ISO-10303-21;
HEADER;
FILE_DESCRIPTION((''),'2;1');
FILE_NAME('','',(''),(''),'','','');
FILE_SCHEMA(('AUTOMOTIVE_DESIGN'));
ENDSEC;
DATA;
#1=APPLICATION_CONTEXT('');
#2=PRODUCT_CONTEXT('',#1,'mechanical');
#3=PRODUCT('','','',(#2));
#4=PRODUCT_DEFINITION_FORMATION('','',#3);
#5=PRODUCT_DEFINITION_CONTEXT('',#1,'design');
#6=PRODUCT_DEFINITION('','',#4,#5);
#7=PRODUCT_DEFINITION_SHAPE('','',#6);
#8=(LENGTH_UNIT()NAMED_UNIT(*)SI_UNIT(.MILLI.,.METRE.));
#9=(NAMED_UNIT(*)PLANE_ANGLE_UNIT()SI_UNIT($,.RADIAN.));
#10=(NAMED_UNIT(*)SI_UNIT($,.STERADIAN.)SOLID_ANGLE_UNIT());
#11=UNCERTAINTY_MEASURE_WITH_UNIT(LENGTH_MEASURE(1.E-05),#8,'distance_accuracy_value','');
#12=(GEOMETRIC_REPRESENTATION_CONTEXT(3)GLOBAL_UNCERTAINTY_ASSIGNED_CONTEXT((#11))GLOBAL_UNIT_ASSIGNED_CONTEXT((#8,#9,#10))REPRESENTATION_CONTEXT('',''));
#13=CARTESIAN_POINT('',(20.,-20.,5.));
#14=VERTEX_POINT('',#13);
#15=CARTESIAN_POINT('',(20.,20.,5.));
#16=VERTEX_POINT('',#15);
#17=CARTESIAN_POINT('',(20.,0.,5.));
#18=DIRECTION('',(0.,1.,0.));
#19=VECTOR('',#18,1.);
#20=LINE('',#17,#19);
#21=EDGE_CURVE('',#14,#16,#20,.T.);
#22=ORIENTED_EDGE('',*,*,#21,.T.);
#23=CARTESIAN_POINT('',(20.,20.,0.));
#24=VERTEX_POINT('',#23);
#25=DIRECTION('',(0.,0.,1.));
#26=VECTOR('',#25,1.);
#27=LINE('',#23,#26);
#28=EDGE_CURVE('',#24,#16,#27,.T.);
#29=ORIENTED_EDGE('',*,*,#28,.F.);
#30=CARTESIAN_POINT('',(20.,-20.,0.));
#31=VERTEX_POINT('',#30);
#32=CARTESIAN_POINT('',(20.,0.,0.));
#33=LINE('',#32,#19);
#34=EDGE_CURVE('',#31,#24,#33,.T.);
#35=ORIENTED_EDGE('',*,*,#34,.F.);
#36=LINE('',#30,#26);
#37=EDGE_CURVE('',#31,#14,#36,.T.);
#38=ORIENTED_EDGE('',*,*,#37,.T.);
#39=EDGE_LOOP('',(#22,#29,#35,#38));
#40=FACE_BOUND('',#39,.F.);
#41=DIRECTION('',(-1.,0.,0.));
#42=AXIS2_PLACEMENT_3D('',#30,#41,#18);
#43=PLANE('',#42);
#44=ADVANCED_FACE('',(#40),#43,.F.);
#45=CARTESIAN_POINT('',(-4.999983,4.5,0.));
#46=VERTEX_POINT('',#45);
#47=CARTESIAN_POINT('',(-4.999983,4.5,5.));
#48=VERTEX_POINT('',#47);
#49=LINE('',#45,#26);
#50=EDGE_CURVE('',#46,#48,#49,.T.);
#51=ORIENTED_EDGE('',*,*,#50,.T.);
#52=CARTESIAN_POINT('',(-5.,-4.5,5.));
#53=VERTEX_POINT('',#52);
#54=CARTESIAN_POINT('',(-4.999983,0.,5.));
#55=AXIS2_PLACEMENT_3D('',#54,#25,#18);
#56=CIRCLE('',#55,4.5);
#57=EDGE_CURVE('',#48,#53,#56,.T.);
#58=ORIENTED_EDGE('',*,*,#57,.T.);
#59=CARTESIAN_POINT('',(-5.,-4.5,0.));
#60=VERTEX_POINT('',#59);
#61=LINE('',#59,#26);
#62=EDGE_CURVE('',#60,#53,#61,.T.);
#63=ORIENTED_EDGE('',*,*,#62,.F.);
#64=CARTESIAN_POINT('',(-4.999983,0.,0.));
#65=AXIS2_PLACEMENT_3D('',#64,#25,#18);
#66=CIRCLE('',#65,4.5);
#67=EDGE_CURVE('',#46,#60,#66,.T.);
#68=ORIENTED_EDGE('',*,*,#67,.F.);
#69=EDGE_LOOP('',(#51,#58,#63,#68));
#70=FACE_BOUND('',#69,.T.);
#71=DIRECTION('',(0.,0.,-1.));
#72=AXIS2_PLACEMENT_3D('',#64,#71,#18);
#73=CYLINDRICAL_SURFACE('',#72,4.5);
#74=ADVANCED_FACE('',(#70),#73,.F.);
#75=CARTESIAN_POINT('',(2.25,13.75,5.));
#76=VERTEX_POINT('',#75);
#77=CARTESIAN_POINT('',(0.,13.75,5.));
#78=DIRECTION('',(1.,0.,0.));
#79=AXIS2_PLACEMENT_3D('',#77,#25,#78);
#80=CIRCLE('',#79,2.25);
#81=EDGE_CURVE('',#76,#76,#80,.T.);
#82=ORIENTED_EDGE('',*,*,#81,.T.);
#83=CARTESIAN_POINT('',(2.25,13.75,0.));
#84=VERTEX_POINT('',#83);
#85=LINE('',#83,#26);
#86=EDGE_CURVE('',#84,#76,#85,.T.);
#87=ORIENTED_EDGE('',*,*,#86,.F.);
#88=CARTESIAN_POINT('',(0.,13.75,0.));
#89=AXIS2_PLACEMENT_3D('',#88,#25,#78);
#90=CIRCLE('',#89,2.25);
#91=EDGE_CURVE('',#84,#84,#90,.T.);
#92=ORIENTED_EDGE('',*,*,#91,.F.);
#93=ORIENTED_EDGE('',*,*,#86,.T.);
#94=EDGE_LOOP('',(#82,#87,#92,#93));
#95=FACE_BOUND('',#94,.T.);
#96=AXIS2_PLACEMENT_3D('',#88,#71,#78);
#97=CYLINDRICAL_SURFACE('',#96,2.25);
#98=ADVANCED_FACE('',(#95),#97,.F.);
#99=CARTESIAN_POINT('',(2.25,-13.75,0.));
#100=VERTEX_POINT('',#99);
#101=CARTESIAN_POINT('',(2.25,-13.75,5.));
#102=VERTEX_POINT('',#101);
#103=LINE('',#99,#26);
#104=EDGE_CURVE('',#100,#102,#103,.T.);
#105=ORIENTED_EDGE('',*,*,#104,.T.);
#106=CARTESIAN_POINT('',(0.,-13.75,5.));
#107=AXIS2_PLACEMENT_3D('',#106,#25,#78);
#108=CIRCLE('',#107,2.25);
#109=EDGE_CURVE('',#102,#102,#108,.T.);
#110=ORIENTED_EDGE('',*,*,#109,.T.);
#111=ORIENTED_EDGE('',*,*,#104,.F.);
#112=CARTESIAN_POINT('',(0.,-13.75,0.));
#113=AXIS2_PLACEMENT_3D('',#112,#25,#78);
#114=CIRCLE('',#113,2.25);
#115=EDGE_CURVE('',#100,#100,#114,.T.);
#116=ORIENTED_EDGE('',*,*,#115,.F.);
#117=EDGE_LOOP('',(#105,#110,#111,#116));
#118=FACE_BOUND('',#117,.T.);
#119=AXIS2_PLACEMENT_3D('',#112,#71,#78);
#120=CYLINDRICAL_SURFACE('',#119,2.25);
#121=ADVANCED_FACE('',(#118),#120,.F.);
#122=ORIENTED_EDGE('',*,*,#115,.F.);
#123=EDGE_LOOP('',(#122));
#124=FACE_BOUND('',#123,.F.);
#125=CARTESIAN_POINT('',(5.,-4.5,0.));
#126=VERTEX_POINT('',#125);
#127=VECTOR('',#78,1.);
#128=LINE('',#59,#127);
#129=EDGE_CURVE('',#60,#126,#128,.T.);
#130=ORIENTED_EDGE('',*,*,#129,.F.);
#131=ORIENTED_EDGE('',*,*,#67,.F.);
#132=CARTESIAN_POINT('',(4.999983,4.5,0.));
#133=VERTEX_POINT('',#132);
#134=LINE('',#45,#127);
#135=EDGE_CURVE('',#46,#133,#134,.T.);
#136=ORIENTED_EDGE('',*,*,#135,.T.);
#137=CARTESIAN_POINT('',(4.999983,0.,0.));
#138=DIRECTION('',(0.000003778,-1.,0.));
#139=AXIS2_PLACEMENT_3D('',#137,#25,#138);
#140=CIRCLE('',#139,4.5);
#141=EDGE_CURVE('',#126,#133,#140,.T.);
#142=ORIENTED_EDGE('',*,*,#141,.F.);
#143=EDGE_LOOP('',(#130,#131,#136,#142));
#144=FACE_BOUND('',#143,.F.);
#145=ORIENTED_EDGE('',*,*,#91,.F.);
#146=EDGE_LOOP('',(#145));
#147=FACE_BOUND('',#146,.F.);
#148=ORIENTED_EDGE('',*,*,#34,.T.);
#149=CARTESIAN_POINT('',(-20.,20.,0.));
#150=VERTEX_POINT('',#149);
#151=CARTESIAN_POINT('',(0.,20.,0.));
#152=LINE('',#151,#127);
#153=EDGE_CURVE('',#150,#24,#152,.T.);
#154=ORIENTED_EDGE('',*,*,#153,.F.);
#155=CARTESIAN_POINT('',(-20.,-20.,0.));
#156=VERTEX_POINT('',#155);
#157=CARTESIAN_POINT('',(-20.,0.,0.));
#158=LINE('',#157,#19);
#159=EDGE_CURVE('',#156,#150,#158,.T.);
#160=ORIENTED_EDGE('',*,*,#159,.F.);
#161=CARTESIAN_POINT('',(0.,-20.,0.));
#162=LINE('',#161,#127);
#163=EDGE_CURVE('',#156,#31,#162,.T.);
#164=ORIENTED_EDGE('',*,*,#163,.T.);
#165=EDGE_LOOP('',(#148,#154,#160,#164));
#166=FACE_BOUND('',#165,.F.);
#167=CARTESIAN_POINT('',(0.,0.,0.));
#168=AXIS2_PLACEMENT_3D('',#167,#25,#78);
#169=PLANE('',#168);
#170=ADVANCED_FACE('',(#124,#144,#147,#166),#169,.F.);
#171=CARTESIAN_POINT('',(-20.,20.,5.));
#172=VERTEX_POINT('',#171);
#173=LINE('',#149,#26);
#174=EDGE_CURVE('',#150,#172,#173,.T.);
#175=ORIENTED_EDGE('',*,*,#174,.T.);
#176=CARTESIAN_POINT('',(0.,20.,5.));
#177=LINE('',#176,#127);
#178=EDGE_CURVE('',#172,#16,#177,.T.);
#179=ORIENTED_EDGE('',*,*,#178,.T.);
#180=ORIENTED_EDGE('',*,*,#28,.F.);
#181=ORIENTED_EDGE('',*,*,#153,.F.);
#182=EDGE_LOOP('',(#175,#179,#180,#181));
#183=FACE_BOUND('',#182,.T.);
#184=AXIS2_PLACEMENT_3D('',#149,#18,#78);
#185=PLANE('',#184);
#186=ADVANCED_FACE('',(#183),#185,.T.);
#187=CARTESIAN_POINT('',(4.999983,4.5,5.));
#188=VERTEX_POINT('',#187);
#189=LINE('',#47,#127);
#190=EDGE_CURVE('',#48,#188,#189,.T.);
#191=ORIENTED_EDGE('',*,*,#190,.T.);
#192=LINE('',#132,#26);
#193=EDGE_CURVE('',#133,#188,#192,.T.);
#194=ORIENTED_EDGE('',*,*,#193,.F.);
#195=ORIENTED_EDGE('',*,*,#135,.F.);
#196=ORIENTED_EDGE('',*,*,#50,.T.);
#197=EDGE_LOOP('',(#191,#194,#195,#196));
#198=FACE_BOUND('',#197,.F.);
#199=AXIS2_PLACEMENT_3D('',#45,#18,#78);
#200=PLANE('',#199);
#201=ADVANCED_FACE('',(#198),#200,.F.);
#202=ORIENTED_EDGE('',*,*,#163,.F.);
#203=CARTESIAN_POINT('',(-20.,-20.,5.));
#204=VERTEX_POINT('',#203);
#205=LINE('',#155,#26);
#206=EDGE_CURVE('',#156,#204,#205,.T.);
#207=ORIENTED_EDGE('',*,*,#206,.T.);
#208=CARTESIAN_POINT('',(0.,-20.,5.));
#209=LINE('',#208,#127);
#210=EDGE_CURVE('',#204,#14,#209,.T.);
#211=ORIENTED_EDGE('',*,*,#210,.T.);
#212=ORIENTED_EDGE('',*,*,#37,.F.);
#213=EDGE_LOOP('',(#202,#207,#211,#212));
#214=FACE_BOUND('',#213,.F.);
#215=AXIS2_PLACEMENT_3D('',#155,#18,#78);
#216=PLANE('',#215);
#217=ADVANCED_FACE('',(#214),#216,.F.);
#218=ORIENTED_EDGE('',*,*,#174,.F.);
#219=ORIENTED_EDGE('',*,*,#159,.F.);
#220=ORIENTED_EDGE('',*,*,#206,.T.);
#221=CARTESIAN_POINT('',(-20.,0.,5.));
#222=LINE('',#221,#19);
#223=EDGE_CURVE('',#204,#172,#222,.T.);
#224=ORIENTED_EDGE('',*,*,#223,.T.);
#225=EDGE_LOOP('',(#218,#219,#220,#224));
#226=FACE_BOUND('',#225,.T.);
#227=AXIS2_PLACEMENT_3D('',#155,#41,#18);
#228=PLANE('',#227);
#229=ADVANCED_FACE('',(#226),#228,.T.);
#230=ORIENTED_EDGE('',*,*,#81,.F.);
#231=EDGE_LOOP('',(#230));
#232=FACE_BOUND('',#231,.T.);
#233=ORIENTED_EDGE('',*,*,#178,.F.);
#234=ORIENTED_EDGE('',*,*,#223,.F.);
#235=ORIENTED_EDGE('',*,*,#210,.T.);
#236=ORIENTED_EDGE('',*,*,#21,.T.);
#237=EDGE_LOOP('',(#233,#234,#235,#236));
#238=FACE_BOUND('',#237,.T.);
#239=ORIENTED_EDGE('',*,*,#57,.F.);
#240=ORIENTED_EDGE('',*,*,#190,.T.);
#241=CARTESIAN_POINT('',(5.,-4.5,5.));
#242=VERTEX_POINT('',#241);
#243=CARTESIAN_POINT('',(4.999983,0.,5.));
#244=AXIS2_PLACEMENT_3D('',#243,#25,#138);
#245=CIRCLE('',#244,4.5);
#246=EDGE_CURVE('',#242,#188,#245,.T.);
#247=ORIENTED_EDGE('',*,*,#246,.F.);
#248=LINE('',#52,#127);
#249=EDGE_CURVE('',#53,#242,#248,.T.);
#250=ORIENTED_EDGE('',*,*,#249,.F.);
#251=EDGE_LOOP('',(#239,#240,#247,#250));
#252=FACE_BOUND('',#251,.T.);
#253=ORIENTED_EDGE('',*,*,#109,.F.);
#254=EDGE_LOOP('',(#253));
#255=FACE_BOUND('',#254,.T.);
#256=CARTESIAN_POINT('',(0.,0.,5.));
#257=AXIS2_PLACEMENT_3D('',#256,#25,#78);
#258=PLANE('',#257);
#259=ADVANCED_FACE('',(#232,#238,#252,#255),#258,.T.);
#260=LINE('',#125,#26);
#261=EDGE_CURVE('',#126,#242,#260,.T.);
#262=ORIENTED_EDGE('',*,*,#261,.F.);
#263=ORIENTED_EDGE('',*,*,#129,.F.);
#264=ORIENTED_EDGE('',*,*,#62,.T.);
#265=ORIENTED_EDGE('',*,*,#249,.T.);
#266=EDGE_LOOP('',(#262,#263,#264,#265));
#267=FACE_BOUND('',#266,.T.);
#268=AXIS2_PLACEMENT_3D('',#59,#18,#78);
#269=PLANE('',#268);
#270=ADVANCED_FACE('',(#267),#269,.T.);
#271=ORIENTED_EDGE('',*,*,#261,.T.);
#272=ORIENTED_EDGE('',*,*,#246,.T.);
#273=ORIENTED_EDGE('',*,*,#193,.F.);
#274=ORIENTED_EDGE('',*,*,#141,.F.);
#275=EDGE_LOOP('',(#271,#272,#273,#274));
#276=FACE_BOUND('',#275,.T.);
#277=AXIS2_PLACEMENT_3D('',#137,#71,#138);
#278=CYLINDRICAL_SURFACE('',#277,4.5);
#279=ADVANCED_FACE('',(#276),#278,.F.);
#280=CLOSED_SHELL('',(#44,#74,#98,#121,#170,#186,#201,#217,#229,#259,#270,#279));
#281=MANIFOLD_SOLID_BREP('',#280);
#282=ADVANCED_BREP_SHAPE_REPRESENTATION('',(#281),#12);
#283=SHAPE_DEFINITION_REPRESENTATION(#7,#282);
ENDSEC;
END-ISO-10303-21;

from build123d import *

# Parameters (mm, degrees)
SKETCH_W  = 40
SKETCH_H  = 40
SKETCH_R  = 2.25
PAD_DEPTH = 5


with BuildPart() as part:
    # Sketch → Pad (new body)
    with BuildSketch(Plane.XY):
        Rectangle(SKETCH_W, SKETCH_H)
        with Locations((0, 13.75)):
            Circle(SKETCH_R, mode=Mode.SUBTRACT)
        with Locations((0, -13.75)):
            Circle(SKETCH_R, mode=Mode.SUBTRACT)
        with BuildLine():
            ThreePointArc((-4.999983, 4.5), (-9.499983, 9e-06), (-5, -4.5))
            Line((-5, -4.5), (5, -4.5))
            ThreePointArc((5, -4.5), (9.499983, 9e-06), (4.999983, 4.5))
            Line((-4.999983, 4.5), (4.999983, 4.5))
        make_face(mode=Mode.SUBTRACT)
    extrude(amount=PAD_DEPTH)


solid = part.part
